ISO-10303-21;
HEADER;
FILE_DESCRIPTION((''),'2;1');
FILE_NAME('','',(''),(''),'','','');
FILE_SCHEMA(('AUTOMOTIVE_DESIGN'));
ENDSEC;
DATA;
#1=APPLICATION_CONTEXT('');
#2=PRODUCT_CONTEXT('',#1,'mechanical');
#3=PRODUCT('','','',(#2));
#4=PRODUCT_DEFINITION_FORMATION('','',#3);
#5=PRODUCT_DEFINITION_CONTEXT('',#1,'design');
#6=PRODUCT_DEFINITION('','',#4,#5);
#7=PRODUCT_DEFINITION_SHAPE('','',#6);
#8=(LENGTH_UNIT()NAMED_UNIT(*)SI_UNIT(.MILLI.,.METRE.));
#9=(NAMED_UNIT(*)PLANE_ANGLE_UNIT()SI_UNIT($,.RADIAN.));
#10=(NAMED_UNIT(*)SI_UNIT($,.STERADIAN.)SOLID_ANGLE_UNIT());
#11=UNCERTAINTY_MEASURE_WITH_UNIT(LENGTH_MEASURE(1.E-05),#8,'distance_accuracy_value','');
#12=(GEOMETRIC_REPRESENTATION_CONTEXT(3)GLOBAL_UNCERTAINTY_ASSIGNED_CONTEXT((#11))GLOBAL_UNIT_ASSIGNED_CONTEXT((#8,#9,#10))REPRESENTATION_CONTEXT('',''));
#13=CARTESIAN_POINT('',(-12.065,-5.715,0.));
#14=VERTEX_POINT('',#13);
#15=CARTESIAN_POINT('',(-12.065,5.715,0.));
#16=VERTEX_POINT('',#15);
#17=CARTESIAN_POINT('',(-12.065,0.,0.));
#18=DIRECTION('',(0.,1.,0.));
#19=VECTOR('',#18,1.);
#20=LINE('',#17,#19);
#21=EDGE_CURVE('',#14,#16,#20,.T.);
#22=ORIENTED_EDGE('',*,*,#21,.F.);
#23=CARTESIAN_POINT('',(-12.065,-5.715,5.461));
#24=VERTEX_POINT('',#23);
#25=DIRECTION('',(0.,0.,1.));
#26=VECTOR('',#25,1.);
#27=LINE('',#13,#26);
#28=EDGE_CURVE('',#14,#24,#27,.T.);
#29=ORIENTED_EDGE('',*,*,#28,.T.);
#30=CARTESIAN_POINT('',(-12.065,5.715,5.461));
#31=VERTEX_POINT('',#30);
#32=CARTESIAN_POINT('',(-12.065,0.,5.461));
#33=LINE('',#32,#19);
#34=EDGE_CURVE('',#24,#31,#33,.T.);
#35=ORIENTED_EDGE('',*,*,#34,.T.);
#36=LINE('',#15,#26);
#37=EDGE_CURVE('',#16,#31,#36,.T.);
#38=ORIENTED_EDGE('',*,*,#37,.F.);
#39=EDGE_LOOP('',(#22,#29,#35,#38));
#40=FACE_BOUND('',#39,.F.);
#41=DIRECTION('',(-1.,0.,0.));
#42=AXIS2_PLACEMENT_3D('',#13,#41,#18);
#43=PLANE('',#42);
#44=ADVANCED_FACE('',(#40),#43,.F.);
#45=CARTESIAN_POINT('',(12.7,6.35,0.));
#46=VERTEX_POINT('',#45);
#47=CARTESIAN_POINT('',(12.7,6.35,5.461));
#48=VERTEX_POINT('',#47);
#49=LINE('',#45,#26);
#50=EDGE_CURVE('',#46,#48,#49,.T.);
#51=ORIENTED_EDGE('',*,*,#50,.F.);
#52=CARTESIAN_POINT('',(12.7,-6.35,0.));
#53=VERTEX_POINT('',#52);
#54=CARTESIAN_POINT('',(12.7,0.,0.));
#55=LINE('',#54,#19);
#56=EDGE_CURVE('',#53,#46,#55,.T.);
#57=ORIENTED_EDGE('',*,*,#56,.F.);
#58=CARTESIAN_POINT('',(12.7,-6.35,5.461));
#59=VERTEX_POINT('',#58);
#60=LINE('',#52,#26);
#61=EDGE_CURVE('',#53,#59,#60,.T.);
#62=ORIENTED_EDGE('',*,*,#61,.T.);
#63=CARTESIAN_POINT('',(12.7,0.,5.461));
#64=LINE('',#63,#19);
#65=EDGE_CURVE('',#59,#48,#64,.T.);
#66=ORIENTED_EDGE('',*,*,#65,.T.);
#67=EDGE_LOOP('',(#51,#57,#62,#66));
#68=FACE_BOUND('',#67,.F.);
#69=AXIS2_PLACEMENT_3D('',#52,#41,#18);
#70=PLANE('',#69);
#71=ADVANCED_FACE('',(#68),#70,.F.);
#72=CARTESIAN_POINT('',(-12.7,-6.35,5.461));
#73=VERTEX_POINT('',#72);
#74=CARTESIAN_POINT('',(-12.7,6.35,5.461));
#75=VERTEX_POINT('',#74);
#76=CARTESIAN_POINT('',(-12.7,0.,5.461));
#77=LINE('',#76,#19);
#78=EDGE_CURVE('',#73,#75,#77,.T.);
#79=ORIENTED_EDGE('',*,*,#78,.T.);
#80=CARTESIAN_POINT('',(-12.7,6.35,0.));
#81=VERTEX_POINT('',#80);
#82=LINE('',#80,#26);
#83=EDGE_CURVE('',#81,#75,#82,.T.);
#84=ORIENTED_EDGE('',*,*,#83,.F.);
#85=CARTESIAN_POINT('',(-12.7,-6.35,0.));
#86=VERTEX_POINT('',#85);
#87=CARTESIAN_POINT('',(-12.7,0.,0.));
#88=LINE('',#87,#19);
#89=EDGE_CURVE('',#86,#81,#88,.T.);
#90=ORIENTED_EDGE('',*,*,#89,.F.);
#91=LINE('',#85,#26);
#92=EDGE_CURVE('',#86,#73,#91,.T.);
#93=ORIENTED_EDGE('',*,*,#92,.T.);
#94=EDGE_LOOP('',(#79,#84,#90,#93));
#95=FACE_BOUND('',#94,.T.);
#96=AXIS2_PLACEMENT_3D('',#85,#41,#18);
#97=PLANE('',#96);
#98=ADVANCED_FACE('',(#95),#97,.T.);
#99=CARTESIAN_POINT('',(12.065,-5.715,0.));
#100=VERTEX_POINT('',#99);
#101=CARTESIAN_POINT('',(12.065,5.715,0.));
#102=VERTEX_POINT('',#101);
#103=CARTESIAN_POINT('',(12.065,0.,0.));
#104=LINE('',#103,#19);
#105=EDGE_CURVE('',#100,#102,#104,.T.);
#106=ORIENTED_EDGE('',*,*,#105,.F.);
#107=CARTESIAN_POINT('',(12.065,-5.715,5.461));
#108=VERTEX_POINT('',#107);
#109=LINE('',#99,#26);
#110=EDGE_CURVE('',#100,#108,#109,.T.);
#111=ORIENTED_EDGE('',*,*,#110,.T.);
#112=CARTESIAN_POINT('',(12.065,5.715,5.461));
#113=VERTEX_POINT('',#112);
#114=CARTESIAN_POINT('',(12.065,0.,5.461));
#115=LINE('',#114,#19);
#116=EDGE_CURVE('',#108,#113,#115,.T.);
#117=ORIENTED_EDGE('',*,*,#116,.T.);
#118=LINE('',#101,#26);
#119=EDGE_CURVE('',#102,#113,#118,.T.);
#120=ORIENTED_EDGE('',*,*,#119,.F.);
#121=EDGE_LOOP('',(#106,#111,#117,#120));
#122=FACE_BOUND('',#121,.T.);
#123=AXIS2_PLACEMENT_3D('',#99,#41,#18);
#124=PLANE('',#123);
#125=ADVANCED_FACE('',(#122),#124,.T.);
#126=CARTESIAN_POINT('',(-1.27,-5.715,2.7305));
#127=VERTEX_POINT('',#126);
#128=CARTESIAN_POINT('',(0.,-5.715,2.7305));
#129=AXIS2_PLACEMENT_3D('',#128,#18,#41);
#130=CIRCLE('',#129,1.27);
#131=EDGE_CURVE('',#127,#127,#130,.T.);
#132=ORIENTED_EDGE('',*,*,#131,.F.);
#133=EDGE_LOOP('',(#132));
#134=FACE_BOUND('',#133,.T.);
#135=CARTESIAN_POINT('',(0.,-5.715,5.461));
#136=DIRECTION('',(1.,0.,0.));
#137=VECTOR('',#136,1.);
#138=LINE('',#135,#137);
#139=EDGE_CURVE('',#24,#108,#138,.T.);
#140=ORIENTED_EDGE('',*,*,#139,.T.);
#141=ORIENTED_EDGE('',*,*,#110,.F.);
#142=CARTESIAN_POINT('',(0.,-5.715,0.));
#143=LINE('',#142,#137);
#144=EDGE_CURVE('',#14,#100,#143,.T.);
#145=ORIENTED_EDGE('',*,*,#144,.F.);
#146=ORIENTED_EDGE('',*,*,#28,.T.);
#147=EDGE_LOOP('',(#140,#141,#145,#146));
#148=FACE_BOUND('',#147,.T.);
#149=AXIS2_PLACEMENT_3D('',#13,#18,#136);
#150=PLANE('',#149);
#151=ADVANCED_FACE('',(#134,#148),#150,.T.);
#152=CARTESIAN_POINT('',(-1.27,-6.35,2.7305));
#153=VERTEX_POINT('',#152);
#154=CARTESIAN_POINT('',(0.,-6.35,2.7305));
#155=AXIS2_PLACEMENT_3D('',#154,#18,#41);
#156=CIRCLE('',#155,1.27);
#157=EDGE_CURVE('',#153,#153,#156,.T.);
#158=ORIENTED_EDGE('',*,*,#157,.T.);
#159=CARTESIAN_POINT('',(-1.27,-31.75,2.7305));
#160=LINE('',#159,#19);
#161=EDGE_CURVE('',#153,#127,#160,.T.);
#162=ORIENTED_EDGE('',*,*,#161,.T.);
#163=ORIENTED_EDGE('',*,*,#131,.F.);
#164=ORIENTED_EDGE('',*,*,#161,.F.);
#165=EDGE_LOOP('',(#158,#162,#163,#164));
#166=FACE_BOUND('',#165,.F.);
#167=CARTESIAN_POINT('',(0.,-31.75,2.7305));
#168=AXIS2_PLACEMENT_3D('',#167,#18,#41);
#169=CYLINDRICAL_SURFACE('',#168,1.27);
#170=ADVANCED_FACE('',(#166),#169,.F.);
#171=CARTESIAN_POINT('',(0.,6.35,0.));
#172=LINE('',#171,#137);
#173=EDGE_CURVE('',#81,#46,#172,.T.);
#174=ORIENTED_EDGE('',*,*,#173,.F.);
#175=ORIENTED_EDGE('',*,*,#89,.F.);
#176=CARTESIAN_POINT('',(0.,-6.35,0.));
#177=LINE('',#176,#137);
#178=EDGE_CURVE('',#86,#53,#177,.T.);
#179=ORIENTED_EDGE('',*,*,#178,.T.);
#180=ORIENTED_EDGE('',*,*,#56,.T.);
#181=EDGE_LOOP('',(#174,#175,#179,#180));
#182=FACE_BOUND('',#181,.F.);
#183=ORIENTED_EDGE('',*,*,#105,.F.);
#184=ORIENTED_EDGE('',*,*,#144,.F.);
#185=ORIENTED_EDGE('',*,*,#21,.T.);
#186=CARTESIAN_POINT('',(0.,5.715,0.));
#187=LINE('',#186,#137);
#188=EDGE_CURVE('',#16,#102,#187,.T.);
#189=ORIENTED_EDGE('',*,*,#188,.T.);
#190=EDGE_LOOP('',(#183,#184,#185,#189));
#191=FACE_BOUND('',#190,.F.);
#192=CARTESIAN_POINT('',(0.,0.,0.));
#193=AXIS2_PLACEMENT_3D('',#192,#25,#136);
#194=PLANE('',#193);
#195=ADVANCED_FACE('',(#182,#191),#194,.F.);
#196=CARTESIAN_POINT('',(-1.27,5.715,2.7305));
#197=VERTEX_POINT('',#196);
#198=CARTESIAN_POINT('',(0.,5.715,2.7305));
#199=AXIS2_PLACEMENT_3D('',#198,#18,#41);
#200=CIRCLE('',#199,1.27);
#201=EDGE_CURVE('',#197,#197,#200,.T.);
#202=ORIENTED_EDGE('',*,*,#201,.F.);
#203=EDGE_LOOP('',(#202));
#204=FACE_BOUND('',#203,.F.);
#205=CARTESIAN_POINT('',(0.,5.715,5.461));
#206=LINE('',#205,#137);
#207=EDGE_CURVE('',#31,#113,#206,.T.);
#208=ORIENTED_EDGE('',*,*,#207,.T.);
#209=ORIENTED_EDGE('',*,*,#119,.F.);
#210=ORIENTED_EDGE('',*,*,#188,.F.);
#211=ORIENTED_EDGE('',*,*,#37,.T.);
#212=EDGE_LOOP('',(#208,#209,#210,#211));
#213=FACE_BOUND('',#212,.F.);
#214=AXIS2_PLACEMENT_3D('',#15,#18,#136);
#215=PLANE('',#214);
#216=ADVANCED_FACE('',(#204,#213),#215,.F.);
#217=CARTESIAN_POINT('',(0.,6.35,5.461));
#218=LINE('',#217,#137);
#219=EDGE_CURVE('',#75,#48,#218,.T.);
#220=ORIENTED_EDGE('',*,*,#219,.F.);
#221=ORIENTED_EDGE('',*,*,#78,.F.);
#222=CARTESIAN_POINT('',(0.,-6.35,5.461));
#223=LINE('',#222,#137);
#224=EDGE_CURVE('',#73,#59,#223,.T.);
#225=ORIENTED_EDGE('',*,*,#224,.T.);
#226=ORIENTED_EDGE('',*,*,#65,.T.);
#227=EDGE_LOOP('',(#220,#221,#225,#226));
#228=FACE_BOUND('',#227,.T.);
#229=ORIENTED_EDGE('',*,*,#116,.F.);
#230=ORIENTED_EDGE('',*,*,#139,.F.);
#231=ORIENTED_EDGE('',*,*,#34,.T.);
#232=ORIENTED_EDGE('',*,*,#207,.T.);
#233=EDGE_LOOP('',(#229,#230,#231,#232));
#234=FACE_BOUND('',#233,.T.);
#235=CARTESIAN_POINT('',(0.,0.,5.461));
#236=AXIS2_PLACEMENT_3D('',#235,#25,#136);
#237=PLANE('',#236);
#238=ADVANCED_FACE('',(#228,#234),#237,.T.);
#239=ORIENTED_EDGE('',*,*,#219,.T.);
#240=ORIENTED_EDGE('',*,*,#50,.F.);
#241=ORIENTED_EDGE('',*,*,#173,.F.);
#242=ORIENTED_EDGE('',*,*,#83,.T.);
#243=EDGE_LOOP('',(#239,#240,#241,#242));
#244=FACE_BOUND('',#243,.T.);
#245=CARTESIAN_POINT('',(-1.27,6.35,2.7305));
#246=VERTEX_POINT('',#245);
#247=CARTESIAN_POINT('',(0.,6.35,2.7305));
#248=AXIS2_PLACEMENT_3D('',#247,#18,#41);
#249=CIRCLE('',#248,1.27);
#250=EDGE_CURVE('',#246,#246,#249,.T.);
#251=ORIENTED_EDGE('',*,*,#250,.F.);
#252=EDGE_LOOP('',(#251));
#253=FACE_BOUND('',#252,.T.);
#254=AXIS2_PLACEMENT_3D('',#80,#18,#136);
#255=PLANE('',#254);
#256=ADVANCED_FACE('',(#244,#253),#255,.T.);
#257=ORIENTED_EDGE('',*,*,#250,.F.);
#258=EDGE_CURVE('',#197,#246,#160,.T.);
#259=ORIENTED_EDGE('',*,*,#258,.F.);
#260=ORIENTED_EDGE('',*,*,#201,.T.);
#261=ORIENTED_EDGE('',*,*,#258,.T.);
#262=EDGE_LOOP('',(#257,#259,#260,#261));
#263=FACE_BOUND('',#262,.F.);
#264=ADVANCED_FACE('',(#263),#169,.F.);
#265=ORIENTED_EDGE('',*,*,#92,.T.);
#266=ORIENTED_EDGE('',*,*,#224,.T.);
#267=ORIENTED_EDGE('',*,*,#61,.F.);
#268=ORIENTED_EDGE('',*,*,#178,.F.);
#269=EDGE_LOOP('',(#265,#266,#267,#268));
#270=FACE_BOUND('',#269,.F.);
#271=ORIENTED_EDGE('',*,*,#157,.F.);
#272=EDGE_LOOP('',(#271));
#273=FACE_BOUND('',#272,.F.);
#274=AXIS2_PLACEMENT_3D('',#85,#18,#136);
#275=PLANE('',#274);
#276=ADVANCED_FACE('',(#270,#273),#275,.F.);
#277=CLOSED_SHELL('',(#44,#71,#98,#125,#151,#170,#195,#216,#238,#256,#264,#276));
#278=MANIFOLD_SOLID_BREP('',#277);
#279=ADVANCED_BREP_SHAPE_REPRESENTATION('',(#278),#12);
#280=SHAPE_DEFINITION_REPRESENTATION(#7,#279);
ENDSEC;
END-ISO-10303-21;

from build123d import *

# Parameters (mm, degrees)
F0_W     = 25.4
F0_H     = 12.7
F0_W_2   = 24.13
F0_H_2   = 11.43
F1_DEPTH = 5.461
F3_D     = 2.54
F3_DEPTH = 25.4


with BuildPart() as f1:
    # F0 (on Top) → F1 (new body)
    with BuildSketch(Plane.XY):
        Rectangle(F0_W, F0_H)
        Rectangle(F0_W_2, F0_H_2, mode=Mode.SUBTRACT)
    extrude(amount=F1_DEPTH)

    # F3
    with Locations(Plane.XZ.offset(6.35)):
        with Locations((0, 2.7305)):
            Hole(F3_D / 2, depth=F3_DEPTH)


solid = f1.part
